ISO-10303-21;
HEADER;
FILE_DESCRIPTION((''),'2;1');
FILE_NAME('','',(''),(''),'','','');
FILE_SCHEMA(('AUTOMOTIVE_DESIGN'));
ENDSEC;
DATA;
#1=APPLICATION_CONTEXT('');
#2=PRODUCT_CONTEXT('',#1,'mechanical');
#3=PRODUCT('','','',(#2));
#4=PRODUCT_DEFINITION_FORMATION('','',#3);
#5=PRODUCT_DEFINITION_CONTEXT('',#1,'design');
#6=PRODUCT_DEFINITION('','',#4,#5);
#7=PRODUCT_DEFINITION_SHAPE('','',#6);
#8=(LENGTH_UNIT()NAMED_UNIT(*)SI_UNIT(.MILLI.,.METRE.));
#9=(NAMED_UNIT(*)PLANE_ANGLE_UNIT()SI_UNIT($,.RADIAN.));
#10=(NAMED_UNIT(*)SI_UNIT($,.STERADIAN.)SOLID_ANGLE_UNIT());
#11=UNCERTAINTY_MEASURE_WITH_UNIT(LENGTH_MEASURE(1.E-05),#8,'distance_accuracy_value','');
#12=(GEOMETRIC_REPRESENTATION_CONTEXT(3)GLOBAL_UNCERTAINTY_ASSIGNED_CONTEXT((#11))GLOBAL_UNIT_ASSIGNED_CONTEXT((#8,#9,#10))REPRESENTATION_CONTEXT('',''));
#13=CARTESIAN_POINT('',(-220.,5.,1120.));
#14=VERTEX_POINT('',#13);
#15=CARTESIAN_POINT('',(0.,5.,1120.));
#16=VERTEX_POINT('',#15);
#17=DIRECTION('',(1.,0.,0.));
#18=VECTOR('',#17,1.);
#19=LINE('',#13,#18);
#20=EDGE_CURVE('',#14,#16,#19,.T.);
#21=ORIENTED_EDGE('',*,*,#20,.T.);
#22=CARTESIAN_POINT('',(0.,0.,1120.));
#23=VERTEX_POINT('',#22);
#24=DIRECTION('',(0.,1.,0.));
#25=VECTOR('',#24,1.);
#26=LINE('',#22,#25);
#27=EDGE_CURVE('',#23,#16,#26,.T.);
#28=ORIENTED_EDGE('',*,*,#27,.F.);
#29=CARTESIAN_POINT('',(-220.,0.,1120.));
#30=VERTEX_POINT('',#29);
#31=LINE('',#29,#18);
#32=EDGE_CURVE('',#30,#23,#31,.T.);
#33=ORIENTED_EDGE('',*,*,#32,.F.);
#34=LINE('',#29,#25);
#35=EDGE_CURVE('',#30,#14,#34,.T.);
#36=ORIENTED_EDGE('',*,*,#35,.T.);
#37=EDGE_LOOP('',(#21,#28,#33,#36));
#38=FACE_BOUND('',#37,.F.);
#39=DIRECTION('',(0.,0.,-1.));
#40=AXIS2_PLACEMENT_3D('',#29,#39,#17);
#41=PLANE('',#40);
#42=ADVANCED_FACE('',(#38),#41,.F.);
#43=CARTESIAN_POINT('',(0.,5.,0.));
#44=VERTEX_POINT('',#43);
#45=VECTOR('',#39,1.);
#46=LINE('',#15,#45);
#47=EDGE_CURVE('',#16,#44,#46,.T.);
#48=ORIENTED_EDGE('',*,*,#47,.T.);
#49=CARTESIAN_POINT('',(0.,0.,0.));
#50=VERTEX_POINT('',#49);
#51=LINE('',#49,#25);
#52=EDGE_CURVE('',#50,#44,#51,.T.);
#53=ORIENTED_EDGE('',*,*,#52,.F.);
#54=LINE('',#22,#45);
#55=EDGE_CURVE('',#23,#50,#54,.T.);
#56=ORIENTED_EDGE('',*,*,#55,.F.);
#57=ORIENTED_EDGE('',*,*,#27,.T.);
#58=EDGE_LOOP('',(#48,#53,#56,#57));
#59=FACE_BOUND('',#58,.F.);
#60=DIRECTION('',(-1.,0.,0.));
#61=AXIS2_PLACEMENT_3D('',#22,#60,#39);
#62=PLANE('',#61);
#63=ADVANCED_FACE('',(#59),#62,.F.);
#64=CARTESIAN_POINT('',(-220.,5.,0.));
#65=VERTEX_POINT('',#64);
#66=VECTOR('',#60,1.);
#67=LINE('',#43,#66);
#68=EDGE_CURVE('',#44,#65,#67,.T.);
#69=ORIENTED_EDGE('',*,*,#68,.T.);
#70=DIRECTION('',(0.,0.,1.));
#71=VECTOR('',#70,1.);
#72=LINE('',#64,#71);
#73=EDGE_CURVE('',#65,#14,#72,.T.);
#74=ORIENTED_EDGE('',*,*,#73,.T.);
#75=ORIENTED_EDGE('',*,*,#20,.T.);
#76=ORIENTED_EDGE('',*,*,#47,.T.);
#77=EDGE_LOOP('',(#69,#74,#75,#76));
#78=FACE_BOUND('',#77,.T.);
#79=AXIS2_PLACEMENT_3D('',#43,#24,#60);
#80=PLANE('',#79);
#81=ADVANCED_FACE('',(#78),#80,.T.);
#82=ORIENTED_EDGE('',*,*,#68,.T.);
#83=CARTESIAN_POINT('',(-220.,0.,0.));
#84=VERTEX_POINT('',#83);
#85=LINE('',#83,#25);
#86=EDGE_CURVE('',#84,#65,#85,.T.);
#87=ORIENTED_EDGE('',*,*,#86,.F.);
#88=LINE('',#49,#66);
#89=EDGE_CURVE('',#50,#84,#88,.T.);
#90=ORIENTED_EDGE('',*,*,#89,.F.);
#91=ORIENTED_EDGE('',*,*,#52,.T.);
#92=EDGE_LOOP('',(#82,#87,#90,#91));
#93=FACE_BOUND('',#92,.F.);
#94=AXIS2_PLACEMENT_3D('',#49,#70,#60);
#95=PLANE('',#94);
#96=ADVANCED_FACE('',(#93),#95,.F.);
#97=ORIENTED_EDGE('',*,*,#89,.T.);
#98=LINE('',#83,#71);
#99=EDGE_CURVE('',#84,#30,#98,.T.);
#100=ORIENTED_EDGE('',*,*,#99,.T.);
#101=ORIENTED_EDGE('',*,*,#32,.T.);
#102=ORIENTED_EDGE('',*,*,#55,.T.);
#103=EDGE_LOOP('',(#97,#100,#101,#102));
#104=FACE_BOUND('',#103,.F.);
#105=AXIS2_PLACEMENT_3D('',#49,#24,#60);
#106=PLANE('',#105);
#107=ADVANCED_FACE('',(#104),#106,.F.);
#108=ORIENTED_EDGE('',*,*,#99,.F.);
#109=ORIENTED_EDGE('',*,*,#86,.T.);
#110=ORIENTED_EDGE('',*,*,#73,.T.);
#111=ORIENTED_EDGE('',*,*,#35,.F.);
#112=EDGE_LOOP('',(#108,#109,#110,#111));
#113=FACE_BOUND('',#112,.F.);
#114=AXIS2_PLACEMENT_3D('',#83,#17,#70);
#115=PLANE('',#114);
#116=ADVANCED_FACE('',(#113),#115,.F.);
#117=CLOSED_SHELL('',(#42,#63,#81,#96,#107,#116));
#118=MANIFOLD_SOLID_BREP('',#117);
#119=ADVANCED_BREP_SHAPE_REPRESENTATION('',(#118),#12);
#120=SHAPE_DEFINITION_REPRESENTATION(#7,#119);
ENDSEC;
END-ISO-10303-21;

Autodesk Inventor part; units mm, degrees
ref_plane "YZ Plane" through (0, 0, 0) normal (1, 0, 0) x (0, 1, 0)
ref_plane "XZ Plane" through (0, 0, 0) normal (0, 1, 0) x (-1, 0, 0)
ref_plane "XY Plane" through (0, 0, 0) normal (0, 0, 1) x (1, 0, 0)
sketch "Sketch1" plane through (0, 0, 0) normal (0, 1, 0) x (-1, 0, 0)
  line L0 (0, 0) -> (220, 0)
  line L1 (220, 0) -> (220, 1120)
  line L2 (220, 1120) -> (0, 1120)
  line L3 (0, 1120) -> (0, 0)
  dimension "d0" = 1120
  dimension "d1" = 220
extrude "Extrusion1" add sketch "Sketch1" along normal blind 5
properties part number "wall"
